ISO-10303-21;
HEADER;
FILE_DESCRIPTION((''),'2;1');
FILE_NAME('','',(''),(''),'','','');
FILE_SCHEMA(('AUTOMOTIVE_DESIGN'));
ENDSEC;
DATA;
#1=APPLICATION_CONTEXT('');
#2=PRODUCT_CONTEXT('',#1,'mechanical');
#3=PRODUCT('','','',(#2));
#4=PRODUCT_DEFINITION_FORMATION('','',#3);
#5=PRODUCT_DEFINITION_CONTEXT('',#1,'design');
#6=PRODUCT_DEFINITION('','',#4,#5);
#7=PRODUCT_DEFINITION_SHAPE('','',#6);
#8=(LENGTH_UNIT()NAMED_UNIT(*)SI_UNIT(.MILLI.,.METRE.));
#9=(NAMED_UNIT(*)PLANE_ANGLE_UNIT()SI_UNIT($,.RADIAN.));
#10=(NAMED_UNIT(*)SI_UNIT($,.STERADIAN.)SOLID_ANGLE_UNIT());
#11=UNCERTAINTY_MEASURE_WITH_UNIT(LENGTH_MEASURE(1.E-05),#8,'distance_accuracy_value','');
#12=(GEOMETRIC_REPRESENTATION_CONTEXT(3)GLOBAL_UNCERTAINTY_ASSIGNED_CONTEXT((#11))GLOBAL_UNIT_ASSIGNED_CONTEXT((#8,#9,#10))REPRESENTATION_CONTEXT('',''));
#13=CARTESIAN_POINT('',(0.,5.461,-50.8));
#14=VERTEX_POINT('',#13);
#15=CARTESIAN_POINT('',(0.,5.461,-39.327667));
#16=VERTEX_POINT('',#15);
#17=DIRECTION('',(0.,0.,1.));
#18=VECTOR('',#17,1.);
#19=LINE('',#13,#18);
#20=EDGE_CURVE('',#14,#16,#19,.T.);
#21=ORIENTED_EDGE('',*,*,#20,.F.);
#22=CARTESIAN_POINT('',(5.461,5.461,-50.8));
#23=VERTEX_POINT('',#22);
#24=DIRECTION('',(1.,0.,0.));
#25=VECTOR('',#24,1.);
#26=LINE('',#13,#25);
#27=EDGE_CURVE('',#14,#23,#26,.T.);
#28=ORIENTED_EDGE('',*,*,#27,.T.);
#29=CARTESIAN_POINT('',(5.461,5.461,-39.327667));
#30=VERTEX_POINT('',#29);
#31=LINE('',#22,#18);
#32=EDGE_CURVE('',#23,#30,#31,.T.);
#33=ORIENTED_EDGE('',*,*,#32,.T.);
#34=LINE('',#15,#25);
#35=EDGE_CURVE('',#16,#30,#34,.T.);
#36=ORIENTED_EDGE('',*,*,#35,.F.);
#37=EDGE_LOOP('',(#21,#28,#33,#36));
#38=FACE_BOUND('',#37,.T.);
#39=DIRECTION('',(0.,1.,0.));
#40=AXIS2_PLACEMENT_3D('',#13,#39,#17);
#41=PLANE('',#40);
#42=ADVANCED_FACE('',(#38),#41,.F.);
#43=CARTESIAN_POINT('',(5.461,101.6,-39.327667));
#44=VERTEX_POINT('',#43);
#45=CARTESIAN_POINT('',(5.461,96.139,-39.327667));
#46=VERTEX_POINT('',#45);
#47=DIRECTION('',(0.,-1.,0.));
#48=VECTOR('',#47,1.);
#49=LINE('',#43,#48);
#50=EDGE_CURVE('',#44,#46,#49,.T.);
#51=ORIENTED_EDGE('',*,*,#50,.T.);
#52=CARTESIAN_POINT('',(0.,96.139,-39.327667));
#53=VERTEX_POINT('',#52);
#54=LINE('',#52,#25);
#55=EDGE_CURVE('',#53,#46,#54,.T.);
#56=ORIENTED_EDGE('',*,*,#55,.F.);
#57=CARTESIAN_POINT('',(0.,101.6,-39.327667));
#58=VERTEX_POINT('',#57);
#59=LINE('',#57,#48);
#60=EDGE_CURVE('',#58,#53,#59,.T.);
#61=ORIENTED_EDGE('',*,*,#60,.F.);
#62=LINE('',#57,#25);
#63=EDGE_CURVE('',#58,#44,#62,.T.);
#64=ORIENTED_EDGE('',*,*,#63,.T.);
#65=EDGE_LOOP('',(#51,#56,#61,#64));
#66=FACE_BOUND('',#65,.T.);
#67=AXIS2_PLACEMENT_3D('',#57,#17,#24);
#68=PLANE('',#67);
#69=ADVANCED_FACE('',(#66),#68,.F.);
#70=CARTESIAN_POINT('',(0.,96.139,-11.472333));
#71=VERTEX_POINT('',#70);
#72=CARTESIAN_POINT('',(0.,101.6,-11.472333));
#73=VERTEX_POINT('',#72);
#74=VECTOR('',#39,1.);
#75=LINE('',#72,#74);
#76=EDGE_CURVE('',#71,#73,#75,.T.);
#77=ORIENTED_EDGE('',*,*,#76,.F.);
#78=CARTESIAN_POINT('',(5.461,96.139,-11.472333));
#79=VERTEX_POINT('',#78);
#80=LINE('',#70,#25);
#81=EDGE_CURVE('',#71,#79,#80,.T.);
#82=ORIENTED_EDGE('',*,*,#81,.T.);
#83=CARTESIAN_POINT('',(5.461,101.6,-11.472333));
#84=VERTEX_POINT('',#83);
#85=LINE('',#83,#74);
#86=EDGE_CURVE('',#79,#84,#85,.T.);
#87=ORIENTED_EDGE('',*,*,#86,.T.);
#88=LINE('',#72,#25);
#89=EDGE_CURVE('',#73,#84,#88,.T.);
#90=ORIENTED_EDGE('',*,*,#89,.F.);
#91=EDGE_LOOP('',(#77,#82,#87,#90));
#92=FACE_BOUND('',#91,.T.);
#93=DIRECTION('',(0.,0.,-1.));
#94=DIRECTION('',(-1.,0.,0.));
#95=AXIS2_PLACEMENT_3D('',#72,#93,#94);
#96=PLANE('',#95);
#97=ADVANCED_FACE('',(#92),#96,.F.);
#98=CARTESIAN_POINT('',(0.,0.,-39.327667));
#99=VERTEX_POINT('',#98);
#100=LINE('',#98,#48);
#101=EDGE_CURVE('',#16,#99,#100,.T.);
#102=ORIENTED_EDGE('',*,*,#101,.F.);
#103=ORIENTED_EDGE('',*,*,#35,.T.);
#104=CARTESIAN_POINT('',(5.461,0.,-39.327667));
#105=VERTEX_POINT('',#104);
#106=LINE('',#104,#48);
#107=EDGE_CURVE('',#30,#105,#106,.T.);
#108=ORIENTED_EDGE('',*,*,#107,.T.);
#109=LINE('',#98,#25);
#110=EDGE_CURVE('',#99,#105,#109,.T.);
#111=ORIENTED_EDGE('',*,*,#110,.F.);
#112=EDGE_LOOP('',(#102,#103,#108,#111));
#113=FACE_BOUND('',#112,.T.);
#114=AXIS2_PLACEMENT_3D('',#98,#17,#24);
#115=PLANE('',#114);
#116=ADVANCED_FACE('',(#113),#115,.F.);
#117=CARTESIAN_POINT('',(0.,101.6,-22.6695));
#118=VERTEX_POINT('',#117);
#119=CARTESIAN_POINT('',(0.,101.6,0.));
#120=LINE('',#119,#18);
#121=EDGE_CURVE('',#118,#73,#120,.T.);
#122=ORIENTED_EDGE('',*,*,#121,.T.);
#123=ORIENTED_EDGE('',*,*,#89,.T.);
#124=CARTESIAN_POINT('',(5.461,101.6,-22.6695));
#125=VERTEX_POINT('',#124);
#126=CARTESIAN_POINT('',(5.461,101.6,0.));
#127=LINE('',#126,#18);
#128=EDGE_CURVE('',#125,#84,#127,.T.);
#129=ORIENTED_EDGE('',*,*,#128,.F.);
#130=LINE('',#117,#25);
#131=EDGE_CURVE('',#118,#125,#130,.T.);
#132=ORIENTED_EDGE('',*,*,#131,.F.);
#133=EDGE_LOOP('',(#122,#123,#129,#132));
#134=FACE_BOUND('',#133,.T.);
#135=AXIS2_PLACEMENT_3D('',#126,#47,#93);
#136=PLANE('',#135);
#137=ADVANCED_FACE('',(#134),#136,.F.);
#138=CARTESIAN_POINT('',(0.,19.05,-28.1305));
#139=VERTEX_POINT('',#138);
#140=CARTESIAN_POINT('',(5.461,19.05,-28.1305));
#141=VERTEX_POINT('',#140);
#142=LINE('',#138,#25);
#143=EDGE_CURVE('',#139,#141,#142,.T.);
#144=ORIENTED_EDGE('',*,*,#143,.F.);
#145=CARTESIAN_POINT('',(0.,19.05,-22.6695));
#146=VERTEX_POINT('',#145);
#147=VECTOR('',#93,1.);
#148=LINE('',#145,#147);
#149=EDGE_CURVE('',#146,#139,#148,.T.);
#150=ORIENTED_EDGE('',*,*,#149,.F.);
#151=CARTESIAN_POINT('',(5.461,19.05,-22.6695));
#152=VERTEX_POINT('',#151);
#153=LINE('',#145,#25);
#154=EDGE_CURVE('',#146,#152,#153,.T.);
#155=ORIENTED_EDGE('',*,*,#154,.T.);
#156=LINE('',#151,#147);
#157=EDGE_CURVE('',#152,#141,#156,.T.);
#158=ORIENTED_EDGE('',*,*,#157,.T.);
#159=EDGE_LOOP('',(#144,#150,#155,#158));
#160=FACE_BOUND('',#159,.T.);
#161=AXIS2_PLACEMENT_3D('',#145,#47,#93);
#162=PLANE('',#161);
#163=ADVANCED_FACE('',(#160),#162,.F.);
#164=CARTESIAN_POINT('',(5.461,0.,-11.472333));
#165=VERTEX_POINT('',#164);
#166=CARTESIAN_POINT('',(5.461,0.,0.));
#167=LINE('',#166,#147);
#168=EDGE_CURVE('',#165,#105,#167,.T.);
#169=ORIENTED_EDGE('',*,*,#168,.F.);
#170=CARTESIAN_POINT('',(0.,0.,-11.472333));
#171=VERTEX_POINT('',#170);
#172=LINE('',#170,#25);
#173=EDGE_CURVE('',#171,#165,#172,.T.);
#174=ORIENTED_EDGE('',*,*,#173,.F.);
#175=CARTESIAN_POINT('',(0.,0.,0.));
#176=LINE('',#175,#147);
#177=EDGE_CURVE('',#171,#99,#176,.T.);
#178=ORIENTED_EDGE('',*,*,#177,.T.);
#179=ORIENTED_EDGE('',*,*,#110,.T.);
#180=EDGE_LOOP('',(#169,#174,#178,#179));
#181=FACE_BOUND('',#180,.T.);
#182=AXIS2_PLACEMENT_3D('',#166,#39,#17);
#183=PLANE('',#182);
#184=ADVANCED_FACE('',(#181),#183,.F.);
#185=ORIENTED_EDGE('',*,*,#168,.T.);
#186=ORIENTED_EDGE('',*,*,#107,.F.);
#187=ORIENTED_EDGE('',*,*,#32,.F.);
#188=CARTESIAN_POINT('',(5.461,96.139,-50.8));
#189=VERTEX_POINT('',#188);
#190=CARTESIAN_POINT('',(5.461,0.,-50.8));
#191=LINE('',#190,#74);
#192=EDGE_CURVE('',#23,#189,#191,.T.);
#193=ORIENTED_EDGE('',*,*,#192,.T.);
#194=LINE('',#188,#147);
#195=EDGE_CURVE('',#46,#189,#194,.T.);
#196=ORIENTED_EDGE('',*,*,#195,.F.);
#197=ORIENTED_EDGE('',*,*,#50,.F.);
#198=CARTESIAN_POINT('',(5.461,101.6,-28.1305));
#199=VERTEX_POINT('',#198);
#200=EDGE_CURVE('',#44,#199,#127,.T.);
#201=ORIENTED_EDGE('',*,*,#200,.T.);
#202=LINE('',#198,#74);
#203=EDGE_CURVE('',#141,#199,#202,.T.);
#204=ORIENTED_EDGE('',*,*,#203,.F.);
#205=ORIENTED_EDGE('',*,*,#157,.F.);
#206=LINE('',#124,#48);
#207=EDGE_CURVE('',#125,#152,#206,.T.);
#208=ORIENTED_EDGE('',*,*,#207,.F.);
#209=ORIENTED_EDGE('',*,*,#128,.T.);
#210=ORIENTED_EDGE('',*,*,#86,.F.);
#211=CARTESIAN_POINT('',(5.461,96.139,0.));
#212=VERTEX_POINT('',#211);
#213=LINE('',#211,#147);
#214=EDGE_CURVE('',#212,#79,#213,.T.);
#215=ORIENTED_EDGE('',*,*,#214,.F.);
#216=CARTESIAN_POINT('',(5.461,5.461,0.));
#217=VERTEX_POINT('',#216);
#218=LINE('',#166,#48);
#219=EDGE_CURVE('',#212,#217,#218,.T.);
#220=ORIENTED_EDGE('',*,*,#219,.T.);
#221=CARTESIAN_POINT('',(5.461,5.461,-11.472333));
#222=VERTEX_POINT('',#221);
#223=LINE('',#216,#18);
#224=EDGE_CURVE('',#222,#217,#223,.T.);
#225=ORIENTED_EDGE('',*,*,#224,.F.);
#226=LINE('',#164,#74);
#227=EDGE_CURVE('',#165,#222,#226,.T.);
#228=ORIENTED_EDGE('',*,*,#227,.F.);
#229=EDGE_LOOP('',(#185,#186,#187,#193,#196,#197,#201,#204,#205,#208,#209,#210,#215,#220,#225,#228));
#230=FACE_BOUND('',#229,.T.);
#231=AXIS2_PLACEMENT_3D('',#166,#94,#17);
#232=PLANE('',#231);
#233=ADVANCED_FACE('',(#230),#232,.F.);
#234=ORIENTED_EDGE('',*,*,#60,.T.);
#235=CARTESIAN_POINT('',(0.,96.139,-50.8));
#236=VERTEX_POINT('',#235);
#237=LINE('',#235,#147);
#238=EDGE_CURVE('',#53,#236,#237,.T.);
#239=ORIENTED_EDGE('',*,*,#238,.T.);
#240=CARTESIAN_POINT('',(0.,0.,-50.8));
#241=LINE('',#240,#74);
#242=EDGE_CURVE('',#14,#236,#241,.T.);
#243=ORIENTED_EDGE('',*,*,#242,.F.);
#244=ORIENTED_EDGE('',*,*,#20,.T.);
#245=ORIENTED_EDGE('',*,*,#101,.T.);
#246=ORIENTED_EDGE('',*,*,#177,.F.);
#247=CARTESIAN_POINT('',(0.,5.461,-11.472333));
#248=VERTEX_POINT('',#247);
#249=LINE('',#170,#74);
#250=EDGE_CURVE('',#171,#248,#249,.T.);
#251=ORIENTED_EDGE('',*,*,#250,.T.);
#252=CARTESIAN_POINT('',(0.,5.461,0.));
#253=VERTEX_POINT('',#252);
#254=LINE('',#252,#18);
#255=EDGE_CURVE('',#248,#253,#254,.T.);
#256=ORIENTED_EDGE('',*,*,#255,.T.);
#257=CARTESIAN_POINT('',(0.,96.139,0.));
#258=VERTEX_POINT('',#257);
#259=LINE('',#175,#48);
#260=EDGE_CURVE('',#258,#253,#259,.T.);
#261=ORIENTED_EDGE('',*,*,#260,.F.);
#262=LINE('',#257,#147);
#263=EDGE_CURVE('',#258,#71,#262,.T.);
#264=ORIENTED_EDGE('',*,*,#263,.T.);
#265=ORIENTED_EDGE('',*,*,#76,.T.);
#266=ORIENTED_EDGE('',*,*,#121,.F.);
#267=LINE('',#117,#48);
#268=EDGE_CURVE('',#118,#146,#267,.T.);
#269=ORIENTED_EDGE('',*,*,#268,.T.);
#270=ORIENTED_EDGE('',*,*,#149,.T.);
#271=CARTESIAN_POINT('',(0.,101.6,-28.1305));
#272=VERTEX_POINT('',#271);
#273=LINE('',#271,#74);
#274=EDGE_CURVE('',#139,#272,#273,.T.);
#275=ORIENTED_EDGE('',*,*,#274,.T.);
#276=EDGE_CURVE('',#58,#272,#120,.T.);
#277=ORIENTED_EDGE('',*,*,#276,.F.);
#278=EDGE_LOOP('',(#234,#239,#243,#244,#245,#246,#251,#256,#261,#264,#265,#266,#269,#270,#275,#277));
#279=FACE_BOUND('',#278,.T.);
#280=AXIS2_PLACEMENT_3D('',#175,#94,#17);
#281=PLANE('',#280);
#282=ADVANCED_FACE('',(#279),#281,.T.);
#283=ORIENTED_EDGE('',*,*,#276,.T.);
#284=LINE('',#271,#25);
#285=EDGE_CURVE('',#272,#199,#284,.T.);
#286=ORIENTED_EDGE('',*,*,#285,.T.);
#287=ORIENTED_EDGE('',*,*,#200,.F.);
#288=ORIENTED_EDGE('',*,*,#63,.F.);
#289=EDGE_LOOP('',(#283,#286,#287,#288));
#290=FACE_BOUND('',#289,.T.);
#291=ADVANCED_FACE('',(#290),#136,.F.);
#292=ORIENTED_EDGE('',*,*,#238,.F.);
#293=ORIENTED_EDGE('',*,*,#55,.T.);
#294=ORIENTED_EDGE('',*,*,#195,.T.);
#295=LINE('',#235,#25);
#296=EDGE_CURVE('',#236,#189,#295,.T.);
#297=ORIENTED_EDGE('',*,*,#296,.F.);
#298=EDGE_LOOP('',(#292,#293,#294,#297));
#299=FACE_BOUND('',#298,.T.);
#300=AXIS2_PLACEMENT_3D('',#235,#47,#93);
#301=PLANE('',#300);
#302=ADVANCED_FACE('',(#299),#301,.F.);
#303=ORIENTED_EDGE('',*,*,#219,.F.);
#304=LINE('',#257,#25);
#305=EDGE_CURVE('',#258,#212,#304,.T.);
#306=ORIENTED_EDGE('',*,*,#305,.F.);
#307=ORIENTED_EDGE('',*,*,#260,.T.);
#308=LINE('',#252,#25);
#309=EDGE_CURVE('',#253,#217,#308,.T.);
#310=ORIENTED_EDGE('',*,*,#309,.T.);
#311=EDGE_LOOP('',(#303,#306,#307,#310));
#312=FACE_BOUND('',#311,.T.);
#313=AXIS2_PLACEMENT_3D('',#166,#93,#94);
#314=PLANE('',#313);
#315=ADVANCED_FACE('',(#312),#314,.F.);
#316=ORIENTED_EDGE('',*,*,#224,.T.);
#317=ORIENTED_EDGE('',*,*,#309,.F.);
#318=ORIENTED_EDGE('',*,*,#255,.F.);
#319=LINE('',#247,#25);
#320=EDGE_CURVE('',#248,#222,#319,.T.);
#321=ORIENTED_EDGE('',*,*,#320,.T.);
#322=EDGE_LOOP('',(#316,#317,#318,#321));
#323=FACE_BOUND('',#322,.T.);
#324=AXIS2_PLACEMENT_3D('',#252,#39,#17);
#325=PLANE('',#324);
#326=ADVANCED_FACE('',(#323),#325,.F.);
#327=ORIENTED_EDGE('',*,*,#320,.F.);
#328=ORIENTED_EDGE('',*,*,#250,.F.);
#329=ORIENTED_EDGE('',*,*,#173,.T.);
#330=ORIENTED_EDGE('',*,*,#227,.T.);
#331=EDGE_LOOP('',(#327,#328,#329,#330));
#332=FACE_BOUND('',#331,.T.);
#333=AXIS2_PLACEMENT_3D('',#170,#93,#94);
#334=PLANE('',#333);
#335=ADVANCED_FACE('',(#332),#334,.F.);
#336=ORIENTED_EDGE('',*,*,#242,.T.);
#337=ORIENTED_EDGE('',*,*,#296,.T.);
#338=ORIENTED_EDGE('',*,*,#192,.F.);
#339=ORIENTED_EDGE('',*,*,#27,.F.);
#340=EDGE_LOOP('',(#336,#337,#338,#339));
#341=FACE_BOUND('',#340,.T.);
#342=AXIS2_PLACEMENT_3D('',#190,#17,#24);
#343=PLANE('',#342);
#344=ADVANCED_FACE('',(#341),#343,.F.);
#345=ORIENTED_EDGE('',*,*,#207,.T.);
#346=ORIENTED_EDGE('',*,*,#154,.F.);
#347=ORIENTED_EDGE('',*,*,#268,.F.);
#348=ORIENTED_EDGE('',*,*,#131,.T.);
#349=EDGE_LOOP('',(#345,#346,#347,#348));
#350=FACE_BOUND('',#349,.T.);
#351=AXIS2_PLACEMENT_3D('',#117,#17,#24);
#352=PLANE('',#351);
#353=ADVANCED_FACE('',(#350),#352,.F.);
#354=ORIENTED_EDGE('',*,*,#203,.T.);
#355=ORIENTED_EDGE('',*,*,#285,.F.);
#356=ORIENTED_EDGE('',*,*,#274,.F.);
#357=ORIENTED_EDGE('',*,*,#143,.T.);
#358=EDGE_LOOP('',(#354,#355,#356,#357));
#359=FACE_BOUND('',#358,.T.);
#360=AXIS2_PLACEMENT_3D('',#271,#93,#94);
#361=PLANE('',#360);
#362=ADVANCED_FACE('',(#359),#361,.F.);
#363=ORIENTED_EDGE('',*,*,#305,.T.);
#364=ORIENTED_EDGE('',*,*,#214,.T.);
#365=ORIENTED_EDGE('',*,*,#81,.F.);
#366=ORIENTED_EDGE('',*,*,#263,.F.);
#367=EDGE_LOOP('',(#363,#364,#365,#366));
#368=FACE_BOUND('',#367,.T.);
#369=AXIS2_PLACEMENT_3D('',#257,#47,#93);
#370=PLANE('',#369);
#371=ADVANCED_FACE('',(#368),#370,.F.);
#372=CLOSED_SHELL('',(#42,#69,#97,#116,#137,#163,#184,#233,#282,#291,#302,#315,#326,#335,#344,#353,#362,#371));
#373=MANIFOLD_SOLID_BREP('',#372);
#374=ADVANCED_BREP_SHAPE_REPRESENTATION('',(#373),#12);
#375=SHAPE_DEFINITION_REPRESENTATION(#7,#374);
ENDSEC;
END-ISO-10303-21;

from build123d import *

# Parameters (mm, degrees)
SKETCH1_W           = 50.8
SKETCH1_H           = 101.6
BOSS_EXTRUDE1_DEPTH = 5.461
SKETCH2_W           = 11.472333333
SKETCH2_H           = 5.461
SKETCH2_W_2         = 5.461
SKETCH2_H_2         = 82.55
CUT_EXTRUDE1_DEPTH  = 5.461


with BuildPart() as part:
    # Sketch1 → Boss-Extrude1 (new body)
    with BuildSketch(Plane(origin=(0, 0, 0), x_dir=(0, 0, -1), z_dir=(1, 0, 0))):
        with Locations((25.4, 50.8)):
            Rectangle(SKETCH1_W, SKETCH1_H)
    extrude(amount=BOSS_EXTRUDE1_DEPTH)

    # Sketch2 → Cut-Extrude1 (cut)
    with BuildSketch(Plane(origin=(5.461, 0, 0), x_dir=(0, 0, -1), z_dir=(1, 0, 0))):
        with Locations((45.063833333, 98.8695)):
            Rectangle(SKETCH2_W, SKETCH2_H)
        with Locations((25.4, 60.325)):
            Rectangle(SKETCH2_W_2, SKETCH2_H_2)
        with Locations((5.736166666, 98.8695)):
            Rectangle(SKETCH2_W, SKETCH2_H)
        with Locations((45.063833333, 2.7305)):
            Rectangle(SKETCH2_W, SKETCH2_H)
        with Locations((5.736166666, 2.7305)):
            Rectangle(SKETCH2_W, SKETCH2_H)
    extrude(amount=-CUT_EXTRUDE1_DEPTH, mode=Mode.SUBTRACT)


solid = part.part
